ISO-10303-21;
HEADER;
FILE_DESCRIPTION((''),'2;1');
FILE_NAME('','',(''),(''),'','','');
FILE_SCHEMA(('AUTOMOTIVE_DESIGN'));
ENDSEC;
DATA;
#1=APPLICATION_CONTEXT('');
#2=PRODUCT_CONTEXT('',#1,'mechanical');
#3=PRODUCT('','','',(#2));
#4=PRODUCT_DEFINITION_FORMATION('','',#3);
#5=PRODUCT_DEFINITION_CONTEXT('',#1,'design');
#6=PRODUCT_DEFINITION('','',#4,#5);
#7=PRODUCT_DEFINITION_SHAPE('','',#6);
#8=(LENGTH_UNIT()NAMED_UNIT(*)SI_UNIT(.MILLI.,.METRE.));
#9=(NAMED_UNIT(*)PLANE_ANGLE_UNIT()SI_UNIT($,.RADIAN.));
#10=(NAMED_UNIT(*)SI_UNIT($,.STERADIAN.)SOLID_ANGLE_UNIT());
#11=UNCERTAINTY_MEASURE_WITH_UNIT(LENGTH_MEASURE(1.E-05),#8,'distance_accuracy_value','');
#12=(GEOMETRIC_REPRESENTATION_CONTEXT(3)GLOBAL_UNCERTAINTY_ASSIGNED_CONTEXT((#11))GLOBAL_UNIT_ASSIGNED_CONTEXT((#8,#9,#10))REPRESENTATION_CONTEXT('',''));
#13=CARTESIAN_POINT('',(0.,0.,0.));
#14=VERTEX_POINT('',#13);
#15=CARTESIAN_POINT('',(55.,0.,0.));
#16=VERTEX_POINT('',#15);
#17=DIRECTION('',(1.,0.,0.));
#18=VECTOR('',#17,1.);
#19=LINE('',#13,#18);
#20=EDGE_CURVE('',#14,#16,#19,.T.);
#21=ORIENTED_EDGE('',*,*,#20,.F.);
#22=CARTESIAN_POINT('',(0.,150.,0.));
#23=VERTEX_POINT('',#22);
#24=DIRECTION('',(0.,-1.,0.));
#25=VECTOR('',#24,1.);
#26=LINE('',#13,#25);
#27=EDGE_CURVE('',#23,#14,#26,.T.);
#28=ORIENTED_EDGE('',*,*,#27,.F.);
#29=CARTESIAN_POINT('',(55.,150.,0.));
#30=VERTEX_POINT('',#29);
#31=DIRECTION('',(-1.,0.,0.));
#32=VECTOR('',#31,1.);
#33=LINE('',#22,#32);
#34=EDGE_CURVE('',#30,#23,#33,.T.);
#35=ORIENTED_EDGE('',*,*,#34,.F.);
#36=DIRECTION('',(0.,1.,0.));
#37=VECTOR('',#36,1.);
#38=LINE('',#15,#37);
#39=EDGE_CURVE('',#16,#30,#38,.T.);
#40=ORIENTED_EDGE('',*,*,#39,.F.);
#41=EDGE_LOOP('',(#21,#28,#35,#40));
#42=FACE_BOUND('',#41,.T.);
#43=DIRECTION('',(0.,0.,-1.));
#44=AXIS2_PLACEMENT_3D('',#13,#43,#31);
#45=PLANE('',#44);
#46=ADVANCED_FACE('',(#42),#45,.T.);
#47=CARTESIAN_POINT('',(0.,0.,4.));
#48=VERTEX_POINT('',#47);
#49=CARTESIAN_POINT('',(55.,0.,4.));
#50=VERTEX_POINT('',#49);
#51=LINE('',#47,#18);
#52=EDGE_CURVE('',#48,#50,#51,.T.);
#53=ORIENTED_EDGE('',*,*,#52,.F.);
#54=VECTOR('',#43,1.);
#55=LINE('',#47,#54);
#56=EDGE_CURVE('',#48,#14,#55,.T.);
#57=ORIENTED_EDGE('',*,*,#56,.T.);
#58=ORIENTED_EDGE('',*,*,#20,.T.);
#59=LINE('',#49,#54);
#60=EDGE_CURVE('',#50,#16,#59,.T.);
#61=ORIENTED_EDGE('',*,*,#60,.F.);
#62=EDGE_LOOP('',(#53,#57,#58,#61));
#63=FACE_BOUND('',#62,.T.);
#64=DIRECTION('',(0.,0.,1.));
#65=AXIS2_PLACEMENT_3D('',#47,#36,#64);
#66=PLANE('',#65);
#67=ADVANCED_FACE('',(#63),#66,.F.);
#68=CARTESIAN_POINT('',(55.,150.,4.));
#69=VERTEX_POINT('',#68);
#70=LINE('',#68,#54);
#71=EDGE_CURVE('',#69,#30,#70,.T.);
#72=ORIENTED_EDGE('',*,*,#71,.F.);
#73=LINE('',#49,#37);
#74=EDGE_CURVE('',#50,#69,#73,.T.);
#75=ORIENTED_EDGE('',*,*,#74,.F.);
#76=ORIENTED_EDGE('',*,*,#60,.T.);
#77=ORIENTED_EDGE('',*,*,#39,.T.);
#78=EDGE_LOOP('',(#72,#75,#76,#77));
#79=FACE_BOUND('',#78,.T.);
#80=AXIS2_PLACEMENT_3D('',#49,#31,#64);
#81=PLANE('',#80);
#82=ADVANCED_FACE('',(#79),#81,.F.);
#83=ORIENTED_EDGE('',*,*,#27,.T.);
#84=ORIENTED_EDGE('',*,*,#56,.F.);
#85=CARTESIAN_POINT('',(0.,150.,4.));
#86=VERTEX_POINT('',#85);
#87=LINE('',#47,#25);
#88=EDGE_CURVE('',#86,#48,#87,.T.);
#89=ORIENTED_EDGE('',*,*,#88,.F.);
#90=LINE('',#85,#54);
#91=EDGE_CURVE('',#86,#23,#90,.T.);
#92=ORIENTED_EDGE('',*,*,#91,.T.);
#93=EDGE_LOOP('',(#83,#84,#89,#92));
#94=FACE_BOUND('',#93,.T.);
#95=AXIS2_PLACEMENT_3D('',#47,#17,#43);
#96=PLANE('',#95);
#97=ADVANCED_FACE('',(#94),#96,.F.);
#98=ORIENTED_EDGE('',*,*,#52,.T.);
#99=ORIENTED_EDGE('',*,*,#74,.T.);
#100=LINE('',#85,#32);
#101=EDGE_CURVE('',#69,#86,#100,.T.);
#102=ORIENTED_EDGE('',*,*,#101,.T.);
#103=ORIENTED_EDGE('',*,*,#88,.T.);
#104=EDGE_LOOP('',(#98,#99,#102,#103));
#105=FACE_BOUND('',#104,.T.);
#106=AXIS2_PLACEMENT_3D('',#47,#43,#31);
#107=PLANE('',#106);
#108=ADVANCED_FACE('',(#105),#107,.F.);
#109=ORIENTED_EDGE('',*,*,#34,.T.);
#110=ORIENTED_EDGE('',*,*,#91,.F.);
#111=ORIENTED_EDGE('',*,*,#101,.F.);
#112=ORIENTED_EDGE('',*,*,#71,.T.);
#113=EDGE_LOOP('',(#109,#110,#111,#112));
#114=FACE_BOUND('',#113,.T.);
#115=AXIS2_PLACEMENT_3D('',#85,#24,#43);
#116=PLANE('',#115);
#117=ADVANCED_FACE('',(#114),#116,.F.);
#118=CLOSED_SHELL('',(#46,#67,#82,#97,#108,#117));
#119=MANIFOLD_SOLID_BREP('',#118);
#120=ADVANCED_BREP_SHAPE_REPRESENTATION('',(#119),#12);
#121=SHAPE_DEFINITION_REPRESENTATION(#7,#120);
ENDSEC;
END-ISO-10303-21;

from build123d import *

# Parameters (mm, degrees)
SKETCH1_W           = 55
SKETCH1_H           = 150
BOSS_EXTRUDE1_DEPTH = 4


with BuildPart() as part:
    # Sketch1 → Boss-Extrude1 (new body)
    with BuildSketch(Plane.XY):
        with Locations((27.5, 75)):
            Rectangle(SKETCH1_W, SKETCH1_H)
    extrude(amount=BOSS_EXTRUDE1_DEPTH)


solid = part.part
